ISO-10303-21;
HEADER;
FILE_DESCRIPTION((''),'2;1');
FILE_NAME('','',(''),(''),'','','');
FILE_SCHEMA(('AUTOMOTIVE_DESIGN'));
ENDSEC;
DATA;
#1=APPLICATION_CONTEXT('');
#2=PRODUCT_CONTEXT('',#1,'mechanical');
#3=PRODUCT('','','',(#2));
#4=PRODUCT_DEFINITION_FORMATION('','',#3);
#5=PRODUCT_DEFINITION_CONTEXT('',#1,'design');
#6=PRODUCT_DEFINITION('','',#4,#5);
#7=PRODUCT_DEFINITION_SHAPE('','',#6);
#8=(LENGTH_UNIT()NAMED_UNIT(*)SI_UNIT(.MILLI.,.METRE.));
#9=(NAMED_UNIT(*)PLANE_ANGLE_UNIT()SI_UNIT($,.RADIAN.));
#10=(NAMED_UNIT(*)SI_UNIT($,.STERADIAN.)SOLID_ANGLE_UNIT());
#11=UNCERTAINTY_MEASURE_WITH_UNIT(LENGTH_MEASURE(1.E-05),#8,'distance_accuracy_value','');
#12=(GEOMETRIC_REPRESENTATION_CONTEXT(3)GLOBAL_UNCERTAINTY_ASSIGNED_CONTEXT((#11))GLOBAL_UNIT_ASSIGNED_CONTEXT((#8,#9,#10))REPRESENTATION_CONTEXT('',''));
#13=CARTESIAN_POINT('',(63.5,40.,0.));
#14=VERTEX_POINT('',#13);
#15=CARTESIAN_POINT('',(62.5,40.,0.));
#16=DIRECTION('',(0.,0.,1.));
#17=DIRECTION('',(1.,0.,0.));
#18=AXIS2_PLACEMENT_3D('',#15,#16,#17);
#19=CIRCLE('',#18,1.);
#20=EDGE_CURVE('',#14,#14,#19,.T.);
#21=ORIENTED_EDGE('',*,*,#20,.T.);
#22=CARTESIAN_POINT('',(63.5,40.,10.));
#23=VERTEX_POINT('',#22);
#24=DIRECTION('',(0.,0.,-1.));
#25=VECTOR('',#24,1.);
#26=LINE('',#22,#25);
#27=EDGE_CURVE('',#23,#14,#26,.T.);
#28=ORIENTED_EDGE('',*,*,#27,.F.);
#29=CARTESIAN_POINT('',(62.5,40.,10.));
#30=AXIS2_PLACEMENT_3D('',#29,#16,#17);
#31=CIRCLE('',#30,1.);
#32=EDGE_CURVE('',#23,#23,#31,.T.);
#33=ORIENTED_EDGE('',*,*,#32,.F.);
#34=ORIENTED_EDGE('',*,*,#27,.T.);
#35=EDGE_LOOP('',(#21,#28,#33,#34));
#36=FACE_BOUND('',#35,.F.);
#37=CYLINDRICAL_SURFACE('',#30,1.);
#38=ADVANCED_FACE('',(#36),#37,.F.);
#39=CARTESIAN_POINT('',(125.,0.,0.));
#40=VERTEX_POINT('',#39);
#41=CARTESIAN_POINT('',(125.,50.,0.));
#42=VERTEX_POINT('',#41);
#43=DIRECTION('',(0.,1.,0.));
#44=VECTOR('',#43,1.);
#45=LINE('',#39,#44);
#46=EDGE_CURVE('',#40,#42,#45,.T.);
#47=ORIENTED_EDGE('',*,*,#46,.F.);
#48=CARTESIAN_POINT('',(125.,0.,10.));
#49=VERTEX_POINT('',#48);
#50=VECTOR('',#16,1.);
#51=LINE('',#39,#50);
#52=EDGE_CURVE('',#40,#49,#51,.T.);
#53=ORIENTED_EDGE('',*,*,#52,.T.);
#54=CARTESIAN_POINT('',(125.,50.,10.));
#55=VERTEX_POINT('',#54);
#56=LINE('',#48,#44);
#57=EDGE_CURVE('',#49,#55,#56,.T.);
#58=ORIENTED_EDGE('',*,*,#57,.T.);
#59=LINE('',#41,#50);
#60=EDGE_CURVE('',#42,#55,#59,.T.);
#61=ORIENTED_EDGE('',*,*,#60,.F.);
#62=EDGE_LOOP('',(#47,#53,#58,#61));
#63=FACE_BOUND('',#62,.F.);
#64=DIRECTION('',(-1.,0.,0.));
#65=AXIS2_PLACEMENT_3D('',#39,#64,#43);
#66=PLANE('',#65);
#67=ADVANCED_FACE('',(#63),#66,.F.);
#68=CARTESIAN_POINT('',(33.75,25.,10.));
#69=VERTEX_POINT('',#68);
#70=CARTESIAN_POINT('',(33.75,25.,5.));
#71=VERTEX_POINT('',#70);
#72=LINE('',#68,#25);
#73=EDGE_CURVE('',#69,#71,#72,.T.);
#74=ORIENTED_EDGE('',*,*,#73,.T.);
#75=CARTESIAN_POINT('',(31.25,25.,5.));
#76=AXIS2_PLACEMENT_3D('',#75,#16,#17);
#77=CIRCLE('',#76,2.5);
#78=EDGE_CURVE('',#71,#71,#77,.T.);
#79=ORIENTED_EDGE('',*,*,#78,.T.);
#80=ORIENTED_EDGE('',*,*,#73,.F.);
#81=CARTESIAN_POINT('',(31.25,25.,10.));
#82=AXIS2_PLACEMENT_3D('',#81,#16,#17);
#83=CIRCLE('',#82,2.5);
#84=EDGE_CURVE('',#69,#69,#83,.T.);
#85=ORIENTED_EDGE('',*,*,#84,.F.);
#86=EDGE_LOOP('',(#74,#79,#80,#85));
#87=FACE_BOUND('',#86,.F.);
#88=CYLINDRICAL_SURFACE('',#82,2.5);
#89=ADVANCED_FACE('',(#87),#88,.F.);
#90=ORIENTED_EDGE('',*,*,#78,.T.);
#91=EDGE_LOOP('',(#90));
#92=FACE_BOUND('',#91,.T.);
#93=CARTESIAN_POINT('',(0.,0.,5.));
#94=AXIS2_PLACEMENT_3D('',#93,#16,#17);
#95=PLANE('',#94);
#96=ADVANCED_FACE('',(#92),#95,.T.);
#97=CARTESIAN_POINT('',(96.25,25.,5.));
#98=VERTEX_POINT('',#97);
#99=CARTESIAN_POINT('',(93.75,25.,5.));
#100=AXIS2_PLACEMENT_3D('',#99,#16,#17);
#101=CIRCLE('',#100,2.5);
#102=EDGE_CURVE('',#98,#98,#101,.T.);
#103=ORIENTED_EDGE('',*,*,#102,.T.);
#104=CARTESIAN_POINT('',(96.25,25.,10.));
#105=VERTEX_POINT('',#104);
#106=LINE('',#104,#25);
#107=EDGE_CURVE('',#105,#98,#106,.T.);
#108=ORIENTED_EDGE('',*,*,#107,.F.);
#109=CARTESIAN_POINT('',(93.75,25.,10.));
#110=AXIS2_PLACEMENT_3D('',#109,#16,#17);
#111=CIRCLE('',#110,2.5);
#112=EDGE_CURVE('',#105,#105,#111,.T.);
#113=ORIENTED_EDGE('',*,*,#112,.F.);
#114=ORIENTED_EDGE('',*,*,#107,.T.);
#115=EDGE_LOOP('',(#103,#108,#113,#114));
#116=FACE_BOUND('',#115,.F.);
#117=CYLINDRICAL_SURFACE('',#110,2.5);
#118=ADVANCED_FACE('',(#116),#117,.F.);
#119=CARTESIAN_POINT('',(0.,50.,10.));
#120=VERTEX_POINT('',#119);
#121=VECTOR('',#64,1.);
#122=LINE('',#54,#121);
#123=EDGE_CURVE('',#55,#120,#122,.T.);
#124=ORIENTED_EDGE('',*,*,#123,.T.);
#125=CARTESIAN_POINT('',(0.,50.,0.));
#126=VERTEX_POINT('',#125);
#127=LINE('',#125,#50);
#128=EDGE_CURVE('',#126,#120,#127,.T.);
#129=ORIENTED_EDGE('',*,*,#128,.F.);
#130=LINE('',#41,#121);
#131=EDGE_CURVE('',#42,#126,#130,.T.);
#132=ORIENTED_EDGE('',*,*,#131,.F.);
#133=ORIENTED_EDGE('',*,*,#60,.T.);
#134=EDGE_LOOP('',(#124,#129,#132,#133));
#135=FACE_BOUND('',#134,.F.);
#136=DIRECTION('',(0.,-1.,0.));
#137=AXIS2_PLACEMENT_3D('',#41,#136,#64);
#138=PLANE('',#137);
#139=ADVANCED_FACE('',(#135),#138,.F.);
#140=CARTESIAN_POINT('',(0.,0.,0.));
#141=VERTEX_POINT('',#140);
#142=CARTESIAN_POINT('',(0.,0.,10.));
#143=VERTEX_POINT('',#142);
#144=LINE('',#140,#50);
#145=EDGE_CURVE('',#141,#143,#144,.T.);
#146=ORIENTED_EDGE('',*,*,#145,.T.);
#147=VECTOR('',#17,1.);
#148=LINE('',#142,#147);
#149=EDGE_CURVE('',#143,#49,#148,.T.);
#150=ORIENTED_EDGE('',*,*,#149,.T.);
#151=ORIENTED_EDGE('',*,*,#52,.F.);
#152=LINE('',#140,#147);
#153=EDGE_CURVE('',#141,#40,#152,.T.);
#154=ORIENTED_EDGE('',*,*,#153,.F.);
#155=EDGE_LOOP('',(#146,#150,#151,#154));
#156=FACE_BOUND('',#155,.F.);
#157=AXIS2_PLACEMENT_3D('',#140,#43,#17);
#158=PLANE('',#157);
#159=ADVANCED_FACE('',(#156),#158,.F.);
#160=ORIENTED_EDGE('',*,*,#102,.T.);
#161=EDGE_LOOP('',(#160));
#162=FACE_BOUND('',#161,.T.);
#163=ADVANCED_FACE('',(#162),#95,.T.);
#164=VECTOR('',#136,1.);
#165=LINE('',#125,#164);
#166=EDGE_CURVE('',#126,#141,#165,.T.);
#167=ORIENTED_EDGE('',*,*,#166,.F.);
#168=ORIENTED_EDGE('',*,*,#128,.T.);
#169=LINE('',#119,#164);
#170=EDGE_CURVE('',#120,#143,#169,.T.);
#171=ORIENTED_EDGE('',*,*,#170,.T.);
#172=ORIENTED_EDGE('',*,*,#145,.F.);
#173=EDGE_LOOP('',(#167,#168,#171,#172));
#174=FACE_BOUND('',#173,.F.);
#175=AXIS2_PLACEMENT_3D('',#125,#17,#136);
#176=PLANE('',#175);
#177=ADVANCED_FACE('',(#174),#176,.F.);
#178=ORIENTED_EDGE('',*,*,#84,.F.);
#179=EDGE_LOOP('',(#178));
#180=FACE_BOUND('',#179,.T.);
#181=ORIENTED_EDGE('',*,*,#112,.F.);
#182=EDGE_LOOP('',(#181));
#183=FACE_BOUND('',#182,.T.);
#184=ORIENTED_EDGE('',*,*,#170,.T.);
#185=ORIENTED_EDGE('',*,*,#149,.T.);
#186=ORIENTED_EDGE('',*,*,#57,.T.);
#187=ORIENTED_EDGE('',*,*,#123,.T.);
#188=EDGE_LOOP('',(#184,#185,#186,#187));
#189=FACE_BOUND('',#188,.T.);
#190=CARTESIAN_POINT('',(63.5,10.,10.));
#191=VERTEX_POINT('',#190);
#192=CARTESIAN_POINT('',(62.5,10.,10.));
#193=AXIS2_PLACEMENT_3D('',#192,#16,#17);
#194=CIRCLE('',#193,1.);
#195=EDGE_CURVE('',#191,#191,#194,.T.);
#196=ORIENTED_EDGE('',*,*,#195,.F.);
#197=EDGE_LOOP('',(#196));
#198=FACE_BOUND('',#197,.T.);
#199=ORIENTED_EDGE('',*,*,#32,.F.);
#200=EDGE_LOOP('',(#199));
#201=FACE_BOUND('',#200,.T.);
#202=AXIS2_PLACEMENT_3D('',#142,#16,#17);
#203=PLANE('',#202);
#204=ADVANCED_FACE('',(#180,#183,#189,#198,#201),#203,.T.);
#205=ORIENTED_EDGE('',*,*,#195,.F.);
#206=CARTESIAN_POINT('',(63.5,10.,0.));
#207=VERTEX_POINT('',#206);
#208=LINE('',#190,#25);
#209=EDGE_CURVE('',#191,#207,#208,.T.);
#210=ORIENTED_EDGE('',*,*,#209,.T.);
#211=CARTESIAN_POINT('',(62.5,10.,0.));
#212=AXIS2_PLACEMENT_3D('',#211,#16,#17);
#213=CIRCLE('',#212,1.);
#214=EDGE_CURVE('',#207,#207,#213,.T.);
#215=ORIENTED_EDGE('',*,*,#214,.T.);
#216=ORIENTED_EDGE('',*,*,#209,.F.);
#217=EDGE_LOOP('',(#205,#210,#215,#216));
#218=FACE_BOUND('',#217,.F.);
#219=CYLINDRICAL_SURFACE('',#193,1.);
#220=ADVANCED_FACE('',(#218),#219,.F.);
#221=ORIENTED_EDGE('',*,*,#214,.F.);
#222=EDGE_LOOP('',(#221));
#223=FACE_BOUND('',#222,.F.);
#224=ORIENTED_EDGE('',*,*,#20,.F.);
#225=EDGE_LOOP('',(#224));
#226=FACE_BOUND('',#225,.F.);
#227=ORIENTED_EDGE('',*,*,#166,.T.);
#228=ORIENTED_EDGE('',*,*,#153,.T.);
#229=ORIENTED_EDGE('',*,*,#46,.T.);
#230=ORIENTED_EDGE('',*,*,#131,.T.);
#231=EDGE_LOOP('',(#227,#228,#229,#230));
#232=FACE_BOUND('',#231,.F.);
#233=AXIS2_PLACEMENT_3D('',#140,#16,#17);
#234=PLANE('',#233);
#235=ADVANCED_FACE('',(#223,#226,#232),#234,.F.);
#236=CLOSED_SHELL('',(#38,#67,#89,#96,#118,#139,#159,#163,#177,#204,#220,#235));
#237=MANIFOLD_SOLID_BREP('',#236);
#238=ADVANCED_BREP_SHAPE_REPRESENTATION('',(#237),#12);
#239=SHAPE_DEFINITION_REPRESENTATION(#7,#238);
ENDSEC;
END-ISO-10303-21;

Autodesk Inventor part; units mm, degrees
ref_plane "YZ Plane" through (0, 0, 0) normal (1, 0, 0) x (0, 1, 0)
ref_plane "XZ Plane" through (0, 0, 0) normal (0, 1, 0) x (-1, 0, 0)
ref_plane "XY Plane" through (0, 0, 0) normal (0, 0, 1) x (1, 0, 0)
sketch "Sketch1" plane through (0, 0, 0) normal (0, 0, 1) x (1, 0, 0)
  line L0 (0, 0) -> (125, 0)
  line L1 (125, 0) -> (125, 50)
  line L2 (125, 50) -> (0, 50)
  line L3 (0, 50) -> (0, 0)
  dimension "d0" = 125
  dimension "d1" = 50
extrude "Extrusion1" add sketch "Sketch1" along normal blind 10
sketch "Sketch2" plane through (0, 0, 10) normal (0, 0, 1) x (1, 0, 0)
  circle A0 centre (31.25, 25) radius 2.5
  circle A1 centre (93.75, 25) radius 2.5
  line L0 (125, 50) -> (0, 50) projected
  line L1 (0, 0) -> (125, 0) projected
  line L2 (125, 0) -> (125, 50) projected
  line L3 (0, 50) -> (0, 0) projected
  dimension "d4" = 5
  dimension "d5" = 5
  dimension "d6" = 62.5
  dimension "d7" = 25
  dimension "d8" = 50
  dimension "d9" = 125
  dimension "d10" = 31.25
  dimension "d26" = 25
  dimension "d27" = 31.25
extrude "Extrusion2" cut sketch "Sketch2" against normal blind 5 contours A0 | A1
sketch "Sketch3" plane through (0, 0, 10) normal (0, 0, 1) x (1, 0, 0)
  circle A0 centre (62.5, 40) radius 1
  circle A1 centre (62.5, 10) radius 1
  line L0 (0, 0) -> (125, 0) projected
  line L1 (125, 50) -> (0, 50) projected
  line L2 (125, 0) -> (125, 50) projected
  line L3 (0, 50) -> (0, 0) projected
  dimension "d13" = 2
  dimension "d14" = 2
  dimension "d16" = 50
  dimension "d17" = 10
  dimension "d20" = 125
  dimension "d23" = 62.5
  dimension "d24" = 62.5
  dimension "d25" = 30
extrude "Extrusion3" cut sketch "Sketch3" against normal blind 10 contours A0 | A1
equation "\"d7\" = 0.5 * d8"
equation "\"d10\" = 0.5 * d9 - 0.5 * d6"
equation "\"d26\" = d7"
equation "\"d17\" = 0.5 * d16 - 0.5 * d25"
equation "\"d23\" = 0.5 * d20"
equation "\"d24\" = d23"
equation "\"d15\" = 0.5 * d16"
properties part number "extremite" material "Wood (Oak)"
